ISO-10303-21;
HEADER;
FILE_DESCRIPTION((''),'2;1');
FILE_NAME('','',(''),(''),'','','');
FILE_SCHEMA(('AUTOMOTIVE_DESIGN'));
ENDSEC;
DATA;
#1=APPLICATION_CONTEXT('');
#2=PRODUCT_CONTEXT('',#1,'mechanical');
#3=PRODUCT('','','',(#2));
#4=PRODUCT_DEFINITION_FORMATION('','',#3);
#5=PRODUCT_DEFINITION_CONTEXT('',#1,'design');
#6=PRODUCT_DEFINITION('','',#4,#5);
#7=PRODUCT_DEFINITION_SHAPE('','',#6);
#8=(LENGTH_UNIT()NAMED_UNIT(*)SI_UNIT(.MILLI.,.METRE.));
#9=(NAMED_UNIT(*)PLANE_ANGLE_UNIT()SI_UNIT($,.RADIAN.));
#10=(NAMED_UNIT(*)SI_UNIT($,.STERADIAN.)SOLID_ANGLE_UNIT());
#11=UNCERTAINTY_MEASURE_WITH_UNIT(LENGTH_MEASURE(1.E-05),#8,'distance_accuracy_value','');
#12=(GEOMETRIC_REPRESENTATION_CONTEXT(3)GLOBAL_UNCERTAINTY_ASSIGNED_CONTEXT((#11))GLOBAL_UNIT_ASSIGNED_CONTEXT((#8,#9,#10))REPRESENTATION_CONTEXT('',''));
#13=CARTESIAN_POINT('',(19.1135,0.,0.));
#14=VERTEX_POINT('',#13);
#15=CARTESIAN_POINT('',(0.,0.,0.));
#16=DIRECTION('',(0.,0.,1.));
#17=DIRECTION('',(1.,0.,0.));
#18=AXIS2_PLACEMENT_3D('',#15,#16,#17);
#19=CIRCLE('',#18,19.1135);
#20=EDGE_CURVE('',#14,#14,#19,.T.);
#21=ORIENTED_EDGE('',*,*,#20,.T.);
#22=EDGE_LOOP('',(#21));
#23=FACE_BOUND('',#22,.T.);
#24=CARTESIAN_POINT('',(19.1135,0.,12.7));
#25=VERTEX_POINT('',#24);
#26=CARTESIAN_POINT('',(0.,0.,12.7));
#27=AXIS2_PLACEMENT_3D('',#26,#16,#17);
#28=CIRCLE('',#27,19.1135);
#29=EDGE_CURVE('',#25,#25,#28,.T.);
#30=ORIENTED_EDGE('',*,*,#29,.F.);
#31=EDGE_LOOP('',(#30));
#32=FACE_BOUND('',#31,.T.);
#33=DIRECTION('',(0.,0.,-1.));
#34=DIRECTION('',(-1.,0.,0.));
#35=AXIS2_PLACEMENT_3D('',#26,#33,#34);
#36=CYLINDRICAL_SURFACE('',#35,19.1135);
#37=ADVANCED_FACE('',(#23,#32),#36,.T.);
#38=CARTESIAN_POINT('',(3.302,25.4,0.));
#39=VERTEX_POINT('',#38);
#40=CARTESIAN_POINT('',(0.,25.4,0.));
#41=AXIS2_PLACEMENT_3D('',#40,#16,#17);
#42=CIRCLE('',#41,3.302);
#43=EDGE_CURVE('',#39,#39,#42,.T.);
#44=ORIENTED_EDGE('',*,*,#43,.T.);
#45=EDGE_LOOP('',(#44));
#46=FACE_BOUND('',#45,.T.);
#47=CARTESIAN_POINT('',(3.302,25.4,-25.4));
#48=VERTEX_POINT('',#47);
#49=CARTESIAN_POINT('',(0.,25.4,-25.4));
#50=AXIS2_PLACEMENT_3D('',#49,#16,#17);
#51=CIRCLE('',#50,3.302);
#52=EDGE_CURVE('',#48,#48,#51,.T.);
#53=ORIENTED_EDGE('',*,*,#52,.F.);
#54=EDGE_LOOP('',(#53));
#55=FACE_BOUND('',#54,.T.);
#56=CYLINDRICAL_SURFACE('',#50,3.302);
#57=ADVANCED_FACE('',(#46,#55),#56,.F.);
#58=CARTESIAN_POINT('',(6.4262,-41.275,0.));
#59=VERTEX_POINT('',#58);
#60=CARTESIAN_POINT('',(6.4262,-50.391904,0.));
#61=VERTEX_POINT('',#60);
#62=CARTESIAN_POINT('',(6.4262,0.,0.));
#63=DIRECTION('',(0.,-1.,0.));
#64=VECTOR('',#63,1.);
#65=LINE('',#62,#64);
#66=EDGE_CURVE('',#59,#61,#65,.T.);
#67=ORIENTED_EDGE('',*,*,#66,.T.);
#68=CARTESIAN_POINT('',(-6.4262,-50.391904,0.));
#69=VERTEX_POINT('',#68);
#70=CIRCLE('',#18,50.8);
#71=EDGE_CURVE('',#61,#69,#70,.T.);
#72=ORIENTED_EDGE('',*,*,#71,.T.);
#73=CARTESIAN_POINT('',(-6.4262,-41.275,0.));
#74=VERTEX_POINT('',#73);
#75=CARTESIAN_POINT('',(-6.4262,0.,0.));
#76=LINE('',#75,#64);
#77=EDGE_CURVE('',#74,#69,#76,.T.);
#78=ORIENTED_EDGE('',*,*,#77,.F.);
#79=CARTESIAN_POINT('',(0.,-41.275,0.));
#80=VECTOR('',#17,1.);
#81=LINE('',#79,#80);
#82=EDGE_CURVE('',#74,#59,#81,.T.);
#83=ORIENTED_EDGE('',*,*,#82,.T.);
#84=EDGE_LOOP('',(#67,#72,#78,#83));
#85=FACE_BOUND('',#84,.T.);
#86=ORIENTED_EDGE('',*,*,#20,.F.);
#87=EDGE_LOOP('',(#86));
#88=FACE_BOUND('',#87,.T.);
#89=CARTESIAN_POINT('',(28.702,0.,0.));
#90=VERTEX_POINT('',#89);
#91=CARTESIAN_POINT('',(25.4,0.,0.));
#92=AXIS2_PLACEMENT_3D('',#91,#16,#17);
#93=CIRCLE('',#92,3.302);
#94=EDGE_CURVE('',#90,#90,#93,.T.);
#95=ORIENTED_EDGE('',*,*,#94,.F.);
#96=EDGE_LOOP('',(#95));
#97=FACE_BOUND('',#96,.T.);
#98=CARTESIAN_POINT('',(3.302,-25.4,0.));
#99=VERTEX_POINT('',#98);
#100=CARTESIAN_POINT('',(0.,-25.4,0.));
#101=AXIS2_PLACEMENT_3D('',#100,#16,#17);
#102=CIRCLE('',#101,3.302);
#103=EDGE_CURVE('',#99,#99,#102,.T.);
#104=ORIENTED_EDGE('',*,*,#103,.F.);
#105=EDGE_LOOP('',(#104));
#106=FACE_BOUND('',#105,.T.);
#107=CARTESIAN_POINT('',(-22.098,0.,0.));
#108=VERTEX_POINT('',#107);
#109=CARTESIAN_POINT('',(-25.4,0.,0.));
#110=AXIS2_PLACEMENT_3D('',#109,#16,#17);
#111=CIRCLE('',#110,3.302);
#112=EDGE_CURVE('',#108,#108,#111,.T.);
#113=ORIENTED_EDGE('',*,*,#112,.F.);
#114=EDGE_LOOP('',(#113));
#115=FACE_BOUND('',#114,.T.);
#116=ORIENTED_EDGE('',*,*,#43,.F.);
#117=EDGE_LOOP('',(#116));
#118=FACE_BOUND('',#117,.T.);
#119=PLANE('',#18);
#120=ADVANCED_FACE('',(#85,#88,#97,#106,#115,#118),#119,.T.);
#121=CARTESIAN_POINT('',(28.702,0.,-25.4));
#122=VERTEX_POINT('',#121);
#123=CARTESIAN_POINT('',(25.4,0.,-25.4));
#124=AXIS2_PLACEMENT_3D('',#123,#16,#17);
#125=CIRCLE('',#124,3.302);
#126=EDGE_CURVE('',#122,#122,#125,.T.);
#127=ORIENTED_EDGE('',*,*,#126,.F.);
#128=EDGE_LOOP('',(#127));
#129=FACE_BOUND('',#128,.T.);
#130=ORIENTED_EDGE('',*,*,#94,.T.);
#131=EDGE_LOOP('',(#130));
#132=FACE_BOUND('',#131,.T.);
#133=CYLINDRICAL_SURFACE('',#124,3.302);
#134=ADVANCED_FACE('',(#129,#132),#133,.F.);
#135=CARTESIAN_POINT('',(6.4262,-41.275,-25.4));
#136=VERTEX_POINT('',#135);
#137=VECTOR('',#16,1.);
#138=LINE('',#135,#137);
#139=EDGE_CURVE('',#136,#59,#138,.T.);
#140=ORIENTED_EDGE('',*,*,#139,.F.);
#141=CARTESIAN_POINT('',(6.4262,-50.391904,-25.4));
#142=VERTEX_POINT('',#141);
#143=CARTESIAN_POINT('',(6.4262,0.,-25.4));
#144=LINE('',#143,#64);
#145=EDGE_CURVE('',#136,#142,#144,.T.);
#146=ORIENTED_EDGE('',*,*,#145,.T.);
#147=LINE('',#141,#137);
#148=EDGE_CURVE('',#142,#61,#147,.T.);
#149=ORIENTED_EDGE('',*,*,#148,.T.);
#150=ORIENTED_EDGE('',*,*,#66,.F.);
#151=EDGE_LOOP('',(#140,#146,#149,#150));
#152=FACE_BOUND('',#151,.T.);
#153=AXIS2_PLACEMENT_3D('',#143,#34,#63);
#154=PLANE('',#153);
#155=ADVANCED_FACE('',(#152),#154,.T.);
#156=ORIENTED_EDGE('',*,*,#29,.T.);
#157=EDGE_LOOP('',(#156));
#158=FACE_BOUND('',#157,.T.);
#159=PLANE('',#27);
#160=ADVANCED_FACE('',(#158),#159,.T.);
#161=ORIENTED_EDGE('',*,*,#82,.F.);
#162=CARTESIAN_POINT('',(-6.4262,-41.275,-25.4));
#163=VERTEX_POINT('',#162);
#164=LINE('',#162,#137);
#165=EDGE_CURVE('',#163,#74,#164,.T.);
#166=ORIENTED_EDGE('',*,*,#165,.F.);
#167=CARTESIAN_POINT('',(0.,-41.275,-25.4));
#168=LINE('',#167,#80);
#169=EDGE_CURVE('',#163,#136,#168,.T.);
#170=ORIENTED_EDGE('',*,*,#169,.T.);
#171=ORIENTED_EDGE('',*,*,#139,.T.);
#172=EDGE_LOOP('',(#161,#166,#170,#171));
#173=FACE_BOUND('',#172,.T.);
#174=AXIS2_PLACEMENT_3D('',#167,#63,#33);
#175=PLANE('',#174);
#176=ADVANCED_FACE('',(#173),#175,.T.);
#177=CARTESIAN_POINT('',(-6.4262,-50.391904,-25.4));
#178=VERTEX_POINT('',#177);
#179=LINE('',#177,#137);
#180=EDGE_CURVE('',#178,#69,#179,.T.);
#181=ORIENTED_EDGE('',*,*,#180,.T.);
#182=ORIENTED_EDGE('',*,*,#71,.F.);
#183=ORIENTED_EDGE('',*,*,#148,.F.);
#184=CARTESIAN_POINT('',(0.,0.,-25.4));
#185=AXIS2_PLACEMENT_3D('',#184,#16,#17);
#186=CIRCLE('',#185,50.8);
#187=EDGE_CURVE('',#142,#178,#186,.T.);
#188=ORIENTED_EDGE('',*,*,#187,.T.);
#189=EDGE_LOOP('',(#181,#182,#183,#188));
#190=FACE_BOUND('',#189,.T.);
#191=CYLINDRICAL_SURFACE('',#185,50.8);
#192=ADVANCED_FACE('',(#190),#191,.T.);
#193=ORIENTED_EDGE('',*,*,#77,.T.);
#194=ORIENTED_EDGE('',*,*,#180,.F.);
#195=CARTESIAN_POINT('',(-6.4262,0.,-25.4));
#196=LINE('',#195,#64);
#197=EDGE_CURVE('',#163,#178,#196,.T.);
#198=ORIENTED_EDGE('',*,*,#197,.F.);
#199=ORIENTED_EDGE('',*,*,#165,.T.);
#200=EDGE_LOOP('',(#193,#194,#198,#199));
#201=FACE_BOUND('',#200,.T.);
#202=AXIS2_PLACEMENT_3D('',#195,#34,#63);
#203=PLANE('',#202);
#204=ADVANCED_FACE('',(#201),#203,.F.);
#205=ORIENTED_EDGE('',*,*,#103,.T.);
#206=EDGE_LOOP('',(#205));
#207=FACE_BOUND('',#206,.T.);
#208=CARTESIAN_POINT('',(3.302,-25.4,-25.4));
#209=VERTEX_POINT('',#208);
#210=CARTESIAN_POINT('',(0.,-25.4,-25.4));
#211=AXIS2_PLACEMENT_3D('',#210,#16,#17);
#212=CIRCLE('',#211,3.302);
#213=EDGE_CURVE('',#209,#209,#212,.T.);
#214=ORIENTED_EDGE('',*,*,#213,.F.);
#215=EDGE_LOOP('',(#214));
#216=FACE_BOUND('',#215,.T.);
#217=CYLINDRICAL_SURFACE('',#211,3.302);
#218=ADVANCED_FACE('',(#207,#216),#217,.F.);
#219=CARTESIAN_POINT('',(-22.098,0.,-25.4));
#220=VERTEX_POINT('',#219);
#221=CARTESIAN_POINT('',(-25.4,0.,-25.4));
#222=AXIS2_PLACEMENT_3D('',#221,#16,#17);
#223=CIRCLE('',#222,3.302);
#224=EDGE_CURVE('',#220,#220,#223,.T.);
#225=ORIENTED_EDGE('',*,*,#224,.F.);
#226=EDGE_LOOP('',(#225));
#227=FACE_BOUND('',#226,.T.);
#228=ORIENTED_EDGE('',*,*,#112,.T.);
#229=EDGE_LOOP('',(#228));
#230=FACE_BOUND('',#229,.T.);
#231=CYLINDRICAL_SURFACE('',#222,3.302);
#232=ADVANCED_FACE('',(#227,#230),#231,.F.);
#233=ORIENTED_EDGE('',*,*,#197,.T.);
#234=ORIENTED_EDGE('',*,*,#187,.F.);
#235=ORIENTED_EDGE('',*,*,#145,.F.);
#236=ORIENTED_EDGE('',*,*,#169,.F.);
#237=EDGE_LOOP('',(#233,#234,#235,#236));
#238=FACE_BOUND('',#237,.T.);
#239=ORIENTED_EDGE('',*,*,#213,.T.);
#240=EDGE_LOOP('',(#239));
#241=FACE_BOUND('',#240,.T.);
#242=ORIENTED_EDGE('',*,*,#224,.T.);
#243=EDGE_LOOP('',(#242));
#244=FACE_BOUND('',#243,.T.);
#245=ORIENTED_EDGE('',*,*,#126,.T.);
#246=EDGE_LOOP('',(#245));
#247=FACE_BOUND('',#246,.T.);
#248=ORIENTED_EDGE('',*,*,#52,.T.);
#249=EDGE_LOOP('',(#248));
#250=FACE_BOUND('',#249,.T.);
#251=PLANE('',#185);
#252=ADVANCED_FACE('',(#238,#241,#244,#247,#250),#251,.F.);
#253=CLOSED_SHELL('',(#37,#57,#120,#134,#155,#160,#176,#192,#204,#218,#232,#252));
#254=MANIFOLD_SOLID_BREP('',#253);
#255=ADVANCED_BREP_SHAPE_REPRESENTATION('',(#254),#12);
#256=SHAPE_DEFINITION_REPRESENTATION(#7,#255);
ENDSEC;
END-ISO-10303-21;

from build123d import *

# Parameters (mm, degrees)
SKETCH1_R           = 3.302
BOSS_EXTRUDE1_DEPTH = 25.4
SKETCH1_4_R         = 19.1135
BOSS_EXTRUDE2_DEPTH = 12.7


with BuildPart() as part:
    # Sketch1 → Boss-Extrude1 (new body)
    with BuildSketch(Plane.XY):
        with BuildLine():
            Line((-6.4262, -50.391903651), (-6.4262, -41.275))
            Line((-6.4262, -41.275), (6.4262, -41.275))
            Line((6.4262, -41.275), (6.4262, -50.391903651))
            ThreePointArc((6.4262, -50.391903651), (0, 50.8), (-6.4262, -50.391903651))
        make_face()
        with Locations((-25.4, 0)):
            Circle(SKETCH1_R, mode=Mode.SUBTRACT)
        with Locations((0, -25.4)):
            Circle(SKETCH1_R, mode=Mode.SUBTRACT)
        with Locations((25.4, 0)):
            Circle(SKETCH1_R, mode=Mode.SUBTRACT)
        with Locations((0, 25.4)):
            Circle(SKETCH1_R, mode=Mode.SUBTRACT)
    extrude(amount=-BOSS_EXTRUDE1_DEPTH)

    # Sketch1<4> → Boss-Extrude2 (add)
    with BuildSketch(Plane.XY):
        Circle(SKETCH1_4_R)
    extrude(amount=BOSS_EXTRUDE2_DEPTH)


solid = part.part
